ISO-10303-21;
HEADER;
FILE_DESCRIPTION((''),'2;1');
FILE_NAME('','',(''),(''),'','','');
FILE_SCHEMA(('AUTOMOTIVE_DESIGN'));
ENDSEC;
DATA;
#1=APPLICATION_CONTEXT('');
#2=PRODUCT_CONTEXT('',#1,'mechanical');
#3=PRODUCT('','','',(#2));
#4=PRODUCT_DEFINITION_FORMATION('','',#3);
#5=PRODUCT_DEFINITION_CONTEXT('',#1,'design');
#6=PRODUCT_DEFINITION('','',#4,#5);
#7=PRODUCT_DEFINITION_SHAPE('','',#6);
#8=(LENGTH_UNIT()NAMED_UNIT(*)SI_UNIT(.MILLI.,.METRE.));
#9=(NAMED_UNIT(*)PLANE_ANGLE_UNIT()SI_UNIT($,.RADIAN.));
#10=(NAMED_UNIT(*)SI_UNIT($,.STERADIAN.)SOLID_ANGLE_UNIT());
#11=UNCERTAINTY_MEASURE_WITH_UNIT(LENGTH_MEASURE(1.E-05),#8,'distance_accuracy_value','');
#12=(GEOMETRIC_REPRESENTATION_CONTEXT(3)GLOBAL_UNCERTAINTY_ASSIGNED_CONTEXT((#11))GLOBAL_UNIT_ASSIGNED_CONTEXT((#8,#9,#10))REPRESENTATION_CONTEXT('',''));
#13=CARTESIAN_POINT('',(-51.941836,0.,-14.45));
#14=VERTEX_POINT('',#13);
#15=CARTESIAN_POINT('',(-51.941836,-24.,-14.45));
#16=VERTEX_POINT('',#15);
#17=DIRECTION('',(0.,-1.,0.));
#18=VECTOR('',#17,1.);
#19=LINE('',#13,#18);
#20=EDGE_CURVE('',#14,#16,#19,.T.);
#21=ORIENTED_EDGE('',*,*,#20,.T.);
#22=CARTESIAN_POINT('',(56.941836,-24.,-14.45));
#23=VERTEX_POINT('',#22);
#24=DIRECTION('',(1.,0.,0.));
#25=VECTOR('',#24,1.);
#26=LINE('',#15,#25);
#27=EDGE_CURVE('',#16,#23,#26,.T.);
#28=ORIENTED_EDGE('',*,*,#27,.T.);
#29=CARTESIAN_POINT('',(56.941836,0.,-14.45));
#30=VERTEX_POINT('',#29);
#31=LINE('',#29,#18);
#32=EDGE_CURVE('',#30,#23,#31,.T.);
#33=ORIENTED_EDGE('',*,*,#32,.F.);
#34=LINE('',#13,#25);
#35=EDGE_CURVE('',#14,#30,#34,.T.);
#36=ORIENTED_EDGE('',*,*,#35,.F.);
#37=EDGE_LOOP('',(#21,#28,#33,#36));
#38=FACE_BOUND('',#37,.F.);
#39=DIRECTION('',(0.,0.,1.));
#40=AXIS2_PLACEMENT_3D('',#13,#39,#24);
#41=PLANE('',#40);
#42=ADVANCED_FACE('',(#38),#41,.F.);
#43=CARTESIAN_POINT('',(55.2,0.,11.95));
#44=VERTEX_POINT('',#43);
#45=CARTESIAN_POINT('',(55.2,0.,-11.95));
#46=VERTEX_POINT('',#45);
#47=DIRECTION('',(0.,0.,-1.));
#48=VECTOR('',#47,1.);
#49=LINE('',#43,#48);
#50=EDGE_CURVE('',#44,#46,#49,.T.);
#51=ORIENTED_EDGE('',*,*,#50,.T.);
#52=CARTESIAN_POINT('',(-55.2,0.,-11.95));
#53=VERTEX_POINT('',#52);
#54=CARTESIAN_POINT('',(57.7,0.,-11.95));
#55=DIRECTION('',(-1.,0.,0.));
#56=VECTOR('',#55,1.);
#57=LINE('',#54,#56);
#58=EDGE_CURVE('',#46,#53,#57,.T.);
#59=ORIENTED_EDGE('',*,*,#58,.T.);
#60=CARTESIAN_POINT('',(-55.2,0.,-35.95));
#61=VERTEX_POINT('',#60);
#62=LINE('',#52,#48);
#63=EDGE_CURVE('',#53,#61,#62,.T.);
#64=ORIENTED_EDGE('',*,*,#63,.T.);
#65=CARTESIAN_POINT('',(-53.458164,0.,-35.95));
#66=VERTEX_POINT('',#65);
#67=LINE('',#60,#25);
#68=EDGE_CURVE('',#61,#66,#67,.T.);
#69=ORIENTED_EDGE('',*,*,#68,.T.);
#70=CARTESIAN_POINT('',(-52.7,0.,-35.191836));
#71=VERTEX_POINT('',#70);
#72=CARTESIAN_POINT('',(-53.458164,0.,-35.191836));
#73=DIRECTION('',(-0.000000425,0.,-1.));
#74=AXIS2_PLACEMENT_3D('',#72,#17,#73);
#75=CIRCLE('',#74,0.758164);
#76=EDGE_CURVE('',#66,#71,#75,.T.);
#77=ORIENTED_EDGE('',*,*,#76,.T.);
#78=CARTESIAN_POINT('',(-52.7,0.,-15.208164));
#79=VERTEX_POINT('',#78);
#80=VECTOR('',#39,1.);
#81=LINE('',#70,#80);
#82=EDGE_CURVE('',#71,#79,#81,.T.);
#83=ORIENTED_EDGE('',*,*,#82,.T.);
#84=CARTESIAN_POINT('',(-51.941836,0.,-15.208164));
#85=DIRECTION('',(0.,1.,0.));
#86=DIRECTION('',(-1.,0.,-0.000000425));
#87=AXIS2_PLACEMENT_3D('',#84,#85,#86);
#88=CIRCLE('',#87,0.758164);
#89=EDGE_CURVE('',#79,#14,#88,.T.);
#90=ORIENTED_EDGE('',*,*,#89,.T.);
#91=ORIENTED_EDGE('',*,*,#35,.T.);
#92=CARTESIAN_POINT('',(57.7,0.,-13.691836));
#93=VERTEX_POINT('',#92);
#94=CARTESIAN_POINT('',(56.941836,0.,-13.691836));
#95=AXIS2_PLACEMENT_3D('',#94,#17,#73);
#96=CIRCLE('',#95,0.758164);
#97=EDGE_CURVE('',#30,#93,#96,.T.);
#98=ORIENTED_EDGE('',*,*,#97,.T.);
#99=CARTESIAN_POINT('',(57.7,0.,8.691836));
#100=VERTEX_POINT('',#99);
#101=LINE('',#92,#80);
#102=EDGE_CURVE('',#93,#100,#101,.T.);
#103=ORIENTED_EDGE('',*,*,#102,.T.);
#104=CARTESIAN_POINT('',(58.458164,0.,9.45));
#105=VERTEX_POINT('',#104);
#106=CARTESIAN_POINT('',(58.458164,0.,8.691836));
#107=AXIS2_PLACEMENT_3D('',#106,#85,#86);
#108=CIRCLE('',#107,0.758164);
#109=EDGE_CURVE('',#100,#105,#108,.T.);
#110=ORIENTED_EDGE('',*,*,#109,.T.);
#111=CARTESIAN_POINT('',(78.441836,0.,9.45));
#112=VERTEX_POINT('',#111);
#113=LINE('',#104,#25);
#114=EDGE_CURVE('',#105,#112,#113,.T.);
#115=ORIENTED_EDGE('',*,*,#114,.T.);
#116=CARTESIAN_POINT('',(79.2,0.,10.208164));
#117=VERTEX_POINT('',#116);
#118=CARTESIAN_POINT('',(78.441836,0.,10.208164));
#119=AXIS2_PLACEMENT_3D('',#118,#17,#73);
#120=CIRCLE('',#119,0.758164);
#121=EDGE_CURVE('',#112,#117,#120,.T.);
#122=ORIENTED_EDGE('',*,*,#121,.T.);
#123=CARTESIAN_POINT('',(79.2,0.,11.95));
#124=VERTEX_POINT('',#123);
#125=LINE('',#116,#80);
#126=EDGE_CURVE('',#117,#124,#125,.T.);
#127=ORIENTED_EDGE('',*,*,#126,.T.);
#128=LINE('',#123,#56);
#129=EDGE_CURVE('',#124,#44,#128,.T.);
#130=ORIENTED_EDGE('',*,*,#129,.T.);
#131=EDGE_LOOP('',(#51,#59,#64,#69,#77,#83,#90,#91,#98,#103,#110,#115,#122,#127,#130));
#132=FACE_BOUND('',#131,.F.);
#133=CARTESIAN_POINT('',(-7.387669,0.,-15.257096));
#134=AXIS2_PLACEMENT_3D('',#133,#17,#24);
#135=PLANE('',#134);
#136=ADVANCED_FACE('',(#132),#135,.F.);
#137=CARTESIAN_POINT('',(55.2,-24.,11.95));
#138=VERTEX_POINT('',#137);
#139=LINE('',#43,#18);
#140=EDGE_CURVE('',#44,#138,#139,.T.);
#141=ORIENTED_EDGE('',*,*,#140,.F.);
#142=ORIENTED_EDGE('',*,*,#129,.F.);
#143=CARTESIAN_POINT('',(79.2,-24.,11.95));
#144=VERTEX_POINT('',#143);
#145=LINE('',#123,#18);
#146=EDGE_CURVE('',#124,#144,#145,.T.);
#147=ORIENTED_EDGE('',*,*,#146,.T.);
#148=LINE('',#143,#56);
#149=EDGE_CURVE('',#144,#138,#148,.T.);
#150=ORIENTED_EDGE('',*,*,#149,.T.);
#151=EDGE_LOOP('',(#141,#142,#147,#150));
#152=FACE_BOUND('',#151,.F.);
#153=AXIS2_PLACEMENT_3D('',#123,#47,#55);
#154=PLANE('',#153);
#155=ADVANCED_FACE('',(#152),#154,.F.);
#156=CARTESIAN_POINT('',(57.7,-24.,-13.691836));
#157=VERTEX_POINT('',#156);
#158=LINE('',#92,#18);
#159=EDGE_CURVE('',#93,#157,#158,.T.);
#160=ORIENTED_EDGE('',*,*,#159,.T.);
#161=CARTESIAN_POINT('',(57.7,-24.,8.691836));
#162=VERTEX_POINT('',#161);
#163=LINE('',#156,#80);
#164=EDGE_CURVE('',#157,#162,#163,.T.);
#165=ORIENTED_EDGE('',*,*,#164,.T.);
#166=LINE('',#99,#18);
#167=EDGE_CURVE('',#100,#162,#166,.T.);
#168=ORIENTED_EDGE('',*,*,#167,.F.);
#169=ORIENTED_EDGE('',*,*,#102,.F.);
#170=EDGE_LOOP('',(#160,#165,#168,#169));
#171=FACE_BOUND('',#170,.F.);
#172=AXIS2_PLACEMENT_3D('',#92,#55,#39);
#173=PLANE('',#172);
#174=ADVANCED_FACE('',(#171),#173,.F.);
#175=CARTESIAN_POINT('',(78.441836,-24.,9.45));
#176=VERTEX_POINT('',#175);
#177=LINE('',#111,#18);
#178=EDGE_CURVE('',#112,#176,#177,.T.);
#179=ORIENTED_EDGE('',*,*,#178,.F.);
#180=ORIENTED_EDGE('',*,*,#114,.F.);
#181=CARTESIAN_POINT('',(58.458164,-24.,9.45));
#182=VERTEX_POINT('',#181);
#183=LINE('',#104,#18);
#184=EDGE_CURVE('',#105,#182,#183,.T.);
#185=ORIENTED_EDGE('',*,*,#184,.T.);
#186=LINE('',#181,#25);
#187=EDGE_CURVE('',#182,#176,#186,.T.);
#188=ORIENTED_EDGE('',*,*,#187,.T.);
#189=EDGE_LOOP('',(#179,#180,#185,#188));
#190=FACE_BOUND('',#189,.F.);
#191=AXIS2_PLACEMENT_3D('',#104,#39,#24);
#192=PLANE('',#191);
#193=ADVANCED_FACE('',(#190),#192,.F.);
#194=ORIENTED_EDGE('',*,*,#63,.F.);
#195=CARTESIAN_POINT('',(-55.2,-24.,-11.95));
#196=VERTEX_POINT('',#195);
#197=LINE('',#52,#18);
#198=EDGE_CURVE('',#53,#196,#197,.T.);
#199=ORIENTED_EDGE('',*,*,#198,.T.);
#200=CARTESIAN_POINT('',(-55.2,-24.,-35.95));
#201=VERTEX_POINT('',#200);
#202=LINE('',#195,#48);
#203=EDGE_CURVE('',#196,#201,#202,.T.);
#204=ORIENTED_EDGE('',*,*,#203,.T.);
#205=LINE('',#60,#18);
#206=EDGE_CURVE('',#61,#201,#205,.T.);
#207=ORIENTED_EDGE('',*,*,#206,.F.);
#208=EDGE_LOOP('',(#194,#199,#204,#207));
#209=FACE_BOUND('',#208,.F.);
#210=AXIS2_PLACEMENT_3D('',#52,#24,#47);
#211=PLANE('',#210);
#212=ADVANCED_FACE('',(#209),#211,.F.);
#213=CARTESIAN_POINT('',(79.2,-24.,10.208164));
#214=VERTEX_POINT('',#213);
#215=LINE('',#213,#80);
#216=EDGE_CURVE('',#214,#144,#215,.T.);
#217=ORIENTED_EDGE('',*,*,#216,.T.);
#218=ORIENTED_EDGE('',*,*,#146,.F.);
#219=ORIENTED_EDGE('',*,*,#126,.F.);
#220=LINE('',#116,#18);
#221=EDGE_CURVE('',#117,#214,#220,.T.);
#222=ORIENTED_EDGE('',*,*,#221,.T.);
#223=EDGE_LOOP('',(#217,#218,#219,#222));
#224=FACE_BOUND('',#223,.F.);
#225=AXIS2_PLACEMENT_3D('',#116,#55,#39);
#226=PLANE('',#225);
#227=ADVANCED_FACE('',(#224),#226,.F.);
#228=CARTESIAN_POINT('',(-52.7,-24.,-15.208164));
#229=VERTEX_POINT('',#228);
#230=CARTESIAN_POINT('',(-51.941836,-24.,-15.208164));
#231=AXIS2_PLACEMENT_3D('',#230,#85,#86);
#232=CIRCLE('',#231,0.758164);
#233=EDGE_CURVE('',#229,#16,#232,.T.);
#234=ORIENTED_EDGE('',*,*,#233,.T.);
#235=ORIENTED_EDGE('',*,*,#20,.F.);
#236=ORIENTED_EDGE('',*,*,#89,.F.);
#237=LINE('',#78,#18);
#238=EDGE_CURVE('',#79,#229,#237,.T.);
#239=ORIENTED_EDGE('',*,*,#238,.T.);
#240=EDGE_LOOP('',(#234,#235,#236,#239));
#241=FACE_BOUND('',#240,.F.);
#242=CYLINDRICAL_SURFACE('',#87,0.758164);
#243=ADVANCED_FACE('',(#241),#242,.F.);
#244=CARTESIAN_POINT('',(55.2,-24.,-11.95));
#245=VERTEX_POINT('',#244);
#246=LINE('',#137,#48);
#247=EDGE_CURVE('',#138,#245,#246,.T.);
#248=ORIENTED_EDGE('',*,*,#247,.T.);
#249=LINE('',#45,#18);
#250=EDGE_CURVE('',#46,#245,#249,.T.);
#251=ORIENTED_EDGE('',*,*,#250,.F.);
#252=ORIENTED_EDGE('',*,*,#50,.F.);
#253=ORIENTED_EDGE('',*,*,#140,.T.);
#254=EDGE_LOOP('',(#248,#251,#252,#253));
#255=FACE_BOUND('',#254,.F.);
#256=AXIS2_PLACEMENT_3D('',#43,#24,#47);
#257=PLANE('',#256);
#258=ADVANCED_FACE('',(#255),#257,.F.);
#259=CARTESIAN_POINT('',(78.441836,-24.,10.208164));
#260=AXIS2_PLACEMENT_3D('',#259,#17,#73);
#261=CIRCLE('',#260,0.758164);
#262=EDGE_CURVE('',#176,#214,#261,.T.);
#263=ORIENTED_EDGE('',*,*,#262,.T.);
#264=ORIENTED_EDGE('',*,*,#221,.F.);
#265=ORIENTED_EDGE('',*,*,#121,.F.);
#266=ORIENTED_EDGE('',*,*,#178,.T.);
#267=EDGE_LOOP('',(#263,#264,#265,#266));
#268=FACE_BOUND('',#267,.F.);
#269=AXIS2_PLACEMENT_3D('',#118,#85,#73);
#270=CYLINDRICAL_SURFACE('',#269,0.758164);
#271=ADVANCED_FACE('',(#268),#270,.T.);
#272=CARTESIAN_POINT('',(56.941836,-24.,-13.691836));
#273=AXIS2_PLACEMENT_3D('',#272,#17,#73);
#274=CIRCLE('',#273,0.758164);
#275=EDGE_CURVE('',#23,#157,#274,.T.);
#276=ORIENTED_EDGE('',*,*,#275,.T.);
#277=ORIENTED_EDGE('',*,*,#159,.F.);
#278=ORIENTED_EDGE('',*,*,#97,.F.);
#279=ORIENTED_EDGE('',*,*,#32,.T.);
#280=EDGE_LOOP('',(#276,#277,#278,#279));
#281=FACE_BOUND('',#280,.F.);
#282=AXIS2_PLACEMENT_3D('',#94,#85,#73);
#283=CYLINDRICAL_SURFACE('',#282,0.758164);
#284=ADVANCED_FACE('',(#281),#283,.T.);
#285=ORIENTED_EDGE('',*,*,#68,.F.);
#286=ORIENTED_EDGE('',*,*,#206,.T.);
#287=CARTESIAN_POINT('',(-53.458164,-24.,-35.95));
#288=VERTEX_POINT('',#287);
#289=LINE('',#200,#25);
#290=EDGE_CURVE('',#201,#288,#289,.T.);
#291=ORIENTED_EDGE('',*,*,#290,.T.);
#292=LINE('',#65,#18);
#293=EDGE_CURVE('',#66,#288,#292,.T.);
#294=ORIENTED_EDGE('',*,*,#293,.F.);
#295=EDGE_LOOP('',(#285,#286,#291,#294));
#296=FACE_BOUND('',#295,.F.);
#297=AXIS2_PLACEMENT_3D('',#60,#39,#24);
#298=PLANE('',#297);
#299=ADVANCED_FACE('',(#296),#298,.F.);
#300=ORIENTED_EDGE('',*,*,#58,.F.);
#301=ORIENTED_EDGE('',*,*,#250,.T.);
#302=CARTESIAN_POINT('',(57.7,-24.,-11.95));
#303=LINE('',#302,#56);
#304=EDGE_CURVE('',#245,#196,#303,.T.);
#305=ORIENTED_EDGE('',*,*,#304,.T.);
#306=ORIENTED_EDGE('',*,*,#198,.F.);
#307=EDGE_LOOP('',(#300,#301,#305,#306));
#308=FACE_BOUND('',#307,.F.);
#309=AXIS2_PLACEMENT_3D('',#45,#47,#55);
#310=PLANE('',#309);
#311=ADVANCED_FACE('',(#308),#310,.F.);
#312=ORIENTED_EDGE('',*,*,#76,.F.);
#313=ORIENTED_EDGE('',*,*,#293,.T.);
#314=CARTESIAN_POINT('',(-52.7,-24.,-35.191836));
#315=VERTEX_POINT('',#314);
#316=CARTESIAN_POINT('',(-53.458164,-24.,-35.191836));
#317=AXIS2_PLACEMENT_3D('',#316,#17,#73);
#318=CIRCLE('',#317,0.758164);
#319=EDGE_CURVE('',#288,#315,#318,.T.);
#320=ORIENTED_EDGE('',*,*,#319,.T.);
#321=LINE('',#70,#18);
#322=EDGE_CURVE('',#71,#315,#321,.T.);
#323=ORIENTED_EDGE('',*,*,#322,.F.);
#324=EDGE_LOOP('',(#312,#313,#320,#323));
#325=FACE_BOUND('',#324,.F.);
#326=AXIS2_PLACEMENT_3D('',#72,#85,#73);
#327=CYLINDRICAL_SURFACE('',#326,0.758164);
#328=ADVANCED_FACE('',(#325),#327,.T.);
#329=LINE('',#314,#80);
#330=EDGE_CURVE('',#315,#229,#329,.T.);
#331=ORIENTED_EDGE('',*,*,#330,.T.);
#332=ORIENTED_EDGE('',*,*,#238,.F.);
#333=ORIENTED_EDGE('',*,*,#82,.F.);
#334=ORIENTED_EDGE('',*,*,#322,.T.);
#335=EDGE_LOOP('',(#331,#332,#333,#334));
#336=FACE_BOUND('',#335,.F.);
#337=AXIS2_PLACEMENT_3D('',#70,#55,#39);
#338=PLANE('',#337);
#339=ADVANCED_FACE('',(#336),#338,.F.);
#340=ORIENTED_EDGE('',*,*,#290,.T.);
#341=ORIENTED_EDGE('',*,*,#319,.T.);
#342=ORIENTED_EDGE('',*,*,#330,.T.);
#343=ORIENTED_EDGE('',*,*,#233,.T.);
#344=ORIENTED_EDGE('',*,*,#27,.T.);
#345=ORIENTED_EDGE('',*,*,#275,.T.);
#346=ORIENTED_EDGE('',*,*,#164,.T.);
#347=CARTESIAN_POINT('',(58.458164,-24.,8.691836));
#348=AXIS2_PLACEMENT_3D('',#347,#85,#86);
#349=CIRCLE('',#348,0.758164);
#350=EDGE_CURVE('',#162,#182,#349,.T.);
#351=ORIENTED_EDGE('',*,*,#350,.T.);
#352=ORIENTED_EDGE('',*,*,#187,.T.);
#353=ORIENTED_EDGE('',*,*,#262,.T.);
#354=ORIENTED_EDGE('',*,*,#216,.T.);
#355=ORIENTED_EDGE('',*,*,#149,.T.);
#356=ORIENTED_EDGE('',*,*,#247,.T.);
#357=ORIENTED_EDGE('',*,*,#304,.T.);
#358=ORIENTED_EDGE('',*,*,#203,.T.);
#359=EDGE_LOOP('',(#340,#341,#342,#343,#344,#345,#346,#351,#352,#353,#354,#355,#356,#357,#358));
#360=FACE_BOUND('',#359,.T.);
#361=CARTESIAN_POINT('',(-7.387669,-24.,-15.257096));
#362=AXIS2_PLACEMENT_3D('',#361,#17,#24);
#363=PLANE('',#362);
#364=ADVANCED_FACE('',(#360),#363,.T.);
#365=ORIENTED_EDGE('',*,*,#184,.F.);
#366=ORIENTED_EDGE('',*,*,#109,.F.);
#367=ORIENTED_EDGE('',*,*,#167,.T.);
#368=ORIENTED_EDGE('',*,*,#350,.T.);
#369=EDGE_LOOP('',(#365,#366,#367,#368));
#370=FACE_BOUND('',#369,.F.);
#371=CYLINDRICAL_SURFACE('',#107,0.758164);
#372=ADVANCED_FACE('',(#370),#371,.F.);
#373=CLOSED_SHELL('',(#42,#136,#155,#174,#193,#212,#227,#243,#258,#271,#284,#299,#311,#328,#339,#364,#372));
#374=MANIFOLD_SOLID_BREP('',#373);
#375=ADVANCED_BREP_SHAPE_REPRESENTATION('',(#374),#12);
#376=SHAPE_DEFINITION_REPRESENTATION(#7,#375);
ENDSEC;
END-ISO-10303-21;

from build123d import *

# Parameters (mm, degrees)
F1_DEPTH = 24


with BuildPart() as f1:
    # F0 (on Front) → F1 (new body)
    with BuildSketch(Plane.XZ):
        with BuildLine():
            Line((55.2, -11.95), (-55.2, -11.95))
            Line((-55.2, -11.95), (-55.2, -14.45))
            Line((-55.2, -14.45), (-55.2, -35.95))
            Line((-55.2, -35.95), (-53.458164, -35.95))
            ThreePointArc((-53.458164, -35.95), (-52.922061, -35.727939), (-52.7, -35.191836))
            Line((-52.7, -35.191836), (-52.7, -15.208164))
            ThreePointArc((-52.7, -15.208164), (-52.477939, -14.672061), (-51.941836, -14.45))
            Line((-51.941836, -14.45), (56.941836, -14.45))
            ThreePointArc((56.941836, -14.45), (57.477939, -14.227939), (57.7, -13.691836))
            Line((57.7, -13.691836), (57.7, -11.95))
            Line((57.7, -11.95), (55.2, -11.95))
        make_face()
        with BuildLine():
            Line((55.2, 11.95), (55.2, -11.95))
            Line((55.2, -11.95), (57.7, -11.95))
            Line((57.7, -11.95), (57.7, 8.691836))
            ThreePointArc((57.7, 8.691836), (57.922061, 9.227939), (58.458164, 9.45))
            Line((58.458164, 9.45), (78.441836, 9.45))
            ThreePointArc((78.441836, 9.45), (78.977939, 9.672061), (79.2, 10.208164))
            Line((79.2, 10.208164), (79.2, 11.95))
            Line((79.2, 11.95), (57.7, 11.95))
            Line((57.7, 11.95), (55.2, 11.95))
        make_face()
    extrude(amount=F1_DEPTH)


solid = f1.part
